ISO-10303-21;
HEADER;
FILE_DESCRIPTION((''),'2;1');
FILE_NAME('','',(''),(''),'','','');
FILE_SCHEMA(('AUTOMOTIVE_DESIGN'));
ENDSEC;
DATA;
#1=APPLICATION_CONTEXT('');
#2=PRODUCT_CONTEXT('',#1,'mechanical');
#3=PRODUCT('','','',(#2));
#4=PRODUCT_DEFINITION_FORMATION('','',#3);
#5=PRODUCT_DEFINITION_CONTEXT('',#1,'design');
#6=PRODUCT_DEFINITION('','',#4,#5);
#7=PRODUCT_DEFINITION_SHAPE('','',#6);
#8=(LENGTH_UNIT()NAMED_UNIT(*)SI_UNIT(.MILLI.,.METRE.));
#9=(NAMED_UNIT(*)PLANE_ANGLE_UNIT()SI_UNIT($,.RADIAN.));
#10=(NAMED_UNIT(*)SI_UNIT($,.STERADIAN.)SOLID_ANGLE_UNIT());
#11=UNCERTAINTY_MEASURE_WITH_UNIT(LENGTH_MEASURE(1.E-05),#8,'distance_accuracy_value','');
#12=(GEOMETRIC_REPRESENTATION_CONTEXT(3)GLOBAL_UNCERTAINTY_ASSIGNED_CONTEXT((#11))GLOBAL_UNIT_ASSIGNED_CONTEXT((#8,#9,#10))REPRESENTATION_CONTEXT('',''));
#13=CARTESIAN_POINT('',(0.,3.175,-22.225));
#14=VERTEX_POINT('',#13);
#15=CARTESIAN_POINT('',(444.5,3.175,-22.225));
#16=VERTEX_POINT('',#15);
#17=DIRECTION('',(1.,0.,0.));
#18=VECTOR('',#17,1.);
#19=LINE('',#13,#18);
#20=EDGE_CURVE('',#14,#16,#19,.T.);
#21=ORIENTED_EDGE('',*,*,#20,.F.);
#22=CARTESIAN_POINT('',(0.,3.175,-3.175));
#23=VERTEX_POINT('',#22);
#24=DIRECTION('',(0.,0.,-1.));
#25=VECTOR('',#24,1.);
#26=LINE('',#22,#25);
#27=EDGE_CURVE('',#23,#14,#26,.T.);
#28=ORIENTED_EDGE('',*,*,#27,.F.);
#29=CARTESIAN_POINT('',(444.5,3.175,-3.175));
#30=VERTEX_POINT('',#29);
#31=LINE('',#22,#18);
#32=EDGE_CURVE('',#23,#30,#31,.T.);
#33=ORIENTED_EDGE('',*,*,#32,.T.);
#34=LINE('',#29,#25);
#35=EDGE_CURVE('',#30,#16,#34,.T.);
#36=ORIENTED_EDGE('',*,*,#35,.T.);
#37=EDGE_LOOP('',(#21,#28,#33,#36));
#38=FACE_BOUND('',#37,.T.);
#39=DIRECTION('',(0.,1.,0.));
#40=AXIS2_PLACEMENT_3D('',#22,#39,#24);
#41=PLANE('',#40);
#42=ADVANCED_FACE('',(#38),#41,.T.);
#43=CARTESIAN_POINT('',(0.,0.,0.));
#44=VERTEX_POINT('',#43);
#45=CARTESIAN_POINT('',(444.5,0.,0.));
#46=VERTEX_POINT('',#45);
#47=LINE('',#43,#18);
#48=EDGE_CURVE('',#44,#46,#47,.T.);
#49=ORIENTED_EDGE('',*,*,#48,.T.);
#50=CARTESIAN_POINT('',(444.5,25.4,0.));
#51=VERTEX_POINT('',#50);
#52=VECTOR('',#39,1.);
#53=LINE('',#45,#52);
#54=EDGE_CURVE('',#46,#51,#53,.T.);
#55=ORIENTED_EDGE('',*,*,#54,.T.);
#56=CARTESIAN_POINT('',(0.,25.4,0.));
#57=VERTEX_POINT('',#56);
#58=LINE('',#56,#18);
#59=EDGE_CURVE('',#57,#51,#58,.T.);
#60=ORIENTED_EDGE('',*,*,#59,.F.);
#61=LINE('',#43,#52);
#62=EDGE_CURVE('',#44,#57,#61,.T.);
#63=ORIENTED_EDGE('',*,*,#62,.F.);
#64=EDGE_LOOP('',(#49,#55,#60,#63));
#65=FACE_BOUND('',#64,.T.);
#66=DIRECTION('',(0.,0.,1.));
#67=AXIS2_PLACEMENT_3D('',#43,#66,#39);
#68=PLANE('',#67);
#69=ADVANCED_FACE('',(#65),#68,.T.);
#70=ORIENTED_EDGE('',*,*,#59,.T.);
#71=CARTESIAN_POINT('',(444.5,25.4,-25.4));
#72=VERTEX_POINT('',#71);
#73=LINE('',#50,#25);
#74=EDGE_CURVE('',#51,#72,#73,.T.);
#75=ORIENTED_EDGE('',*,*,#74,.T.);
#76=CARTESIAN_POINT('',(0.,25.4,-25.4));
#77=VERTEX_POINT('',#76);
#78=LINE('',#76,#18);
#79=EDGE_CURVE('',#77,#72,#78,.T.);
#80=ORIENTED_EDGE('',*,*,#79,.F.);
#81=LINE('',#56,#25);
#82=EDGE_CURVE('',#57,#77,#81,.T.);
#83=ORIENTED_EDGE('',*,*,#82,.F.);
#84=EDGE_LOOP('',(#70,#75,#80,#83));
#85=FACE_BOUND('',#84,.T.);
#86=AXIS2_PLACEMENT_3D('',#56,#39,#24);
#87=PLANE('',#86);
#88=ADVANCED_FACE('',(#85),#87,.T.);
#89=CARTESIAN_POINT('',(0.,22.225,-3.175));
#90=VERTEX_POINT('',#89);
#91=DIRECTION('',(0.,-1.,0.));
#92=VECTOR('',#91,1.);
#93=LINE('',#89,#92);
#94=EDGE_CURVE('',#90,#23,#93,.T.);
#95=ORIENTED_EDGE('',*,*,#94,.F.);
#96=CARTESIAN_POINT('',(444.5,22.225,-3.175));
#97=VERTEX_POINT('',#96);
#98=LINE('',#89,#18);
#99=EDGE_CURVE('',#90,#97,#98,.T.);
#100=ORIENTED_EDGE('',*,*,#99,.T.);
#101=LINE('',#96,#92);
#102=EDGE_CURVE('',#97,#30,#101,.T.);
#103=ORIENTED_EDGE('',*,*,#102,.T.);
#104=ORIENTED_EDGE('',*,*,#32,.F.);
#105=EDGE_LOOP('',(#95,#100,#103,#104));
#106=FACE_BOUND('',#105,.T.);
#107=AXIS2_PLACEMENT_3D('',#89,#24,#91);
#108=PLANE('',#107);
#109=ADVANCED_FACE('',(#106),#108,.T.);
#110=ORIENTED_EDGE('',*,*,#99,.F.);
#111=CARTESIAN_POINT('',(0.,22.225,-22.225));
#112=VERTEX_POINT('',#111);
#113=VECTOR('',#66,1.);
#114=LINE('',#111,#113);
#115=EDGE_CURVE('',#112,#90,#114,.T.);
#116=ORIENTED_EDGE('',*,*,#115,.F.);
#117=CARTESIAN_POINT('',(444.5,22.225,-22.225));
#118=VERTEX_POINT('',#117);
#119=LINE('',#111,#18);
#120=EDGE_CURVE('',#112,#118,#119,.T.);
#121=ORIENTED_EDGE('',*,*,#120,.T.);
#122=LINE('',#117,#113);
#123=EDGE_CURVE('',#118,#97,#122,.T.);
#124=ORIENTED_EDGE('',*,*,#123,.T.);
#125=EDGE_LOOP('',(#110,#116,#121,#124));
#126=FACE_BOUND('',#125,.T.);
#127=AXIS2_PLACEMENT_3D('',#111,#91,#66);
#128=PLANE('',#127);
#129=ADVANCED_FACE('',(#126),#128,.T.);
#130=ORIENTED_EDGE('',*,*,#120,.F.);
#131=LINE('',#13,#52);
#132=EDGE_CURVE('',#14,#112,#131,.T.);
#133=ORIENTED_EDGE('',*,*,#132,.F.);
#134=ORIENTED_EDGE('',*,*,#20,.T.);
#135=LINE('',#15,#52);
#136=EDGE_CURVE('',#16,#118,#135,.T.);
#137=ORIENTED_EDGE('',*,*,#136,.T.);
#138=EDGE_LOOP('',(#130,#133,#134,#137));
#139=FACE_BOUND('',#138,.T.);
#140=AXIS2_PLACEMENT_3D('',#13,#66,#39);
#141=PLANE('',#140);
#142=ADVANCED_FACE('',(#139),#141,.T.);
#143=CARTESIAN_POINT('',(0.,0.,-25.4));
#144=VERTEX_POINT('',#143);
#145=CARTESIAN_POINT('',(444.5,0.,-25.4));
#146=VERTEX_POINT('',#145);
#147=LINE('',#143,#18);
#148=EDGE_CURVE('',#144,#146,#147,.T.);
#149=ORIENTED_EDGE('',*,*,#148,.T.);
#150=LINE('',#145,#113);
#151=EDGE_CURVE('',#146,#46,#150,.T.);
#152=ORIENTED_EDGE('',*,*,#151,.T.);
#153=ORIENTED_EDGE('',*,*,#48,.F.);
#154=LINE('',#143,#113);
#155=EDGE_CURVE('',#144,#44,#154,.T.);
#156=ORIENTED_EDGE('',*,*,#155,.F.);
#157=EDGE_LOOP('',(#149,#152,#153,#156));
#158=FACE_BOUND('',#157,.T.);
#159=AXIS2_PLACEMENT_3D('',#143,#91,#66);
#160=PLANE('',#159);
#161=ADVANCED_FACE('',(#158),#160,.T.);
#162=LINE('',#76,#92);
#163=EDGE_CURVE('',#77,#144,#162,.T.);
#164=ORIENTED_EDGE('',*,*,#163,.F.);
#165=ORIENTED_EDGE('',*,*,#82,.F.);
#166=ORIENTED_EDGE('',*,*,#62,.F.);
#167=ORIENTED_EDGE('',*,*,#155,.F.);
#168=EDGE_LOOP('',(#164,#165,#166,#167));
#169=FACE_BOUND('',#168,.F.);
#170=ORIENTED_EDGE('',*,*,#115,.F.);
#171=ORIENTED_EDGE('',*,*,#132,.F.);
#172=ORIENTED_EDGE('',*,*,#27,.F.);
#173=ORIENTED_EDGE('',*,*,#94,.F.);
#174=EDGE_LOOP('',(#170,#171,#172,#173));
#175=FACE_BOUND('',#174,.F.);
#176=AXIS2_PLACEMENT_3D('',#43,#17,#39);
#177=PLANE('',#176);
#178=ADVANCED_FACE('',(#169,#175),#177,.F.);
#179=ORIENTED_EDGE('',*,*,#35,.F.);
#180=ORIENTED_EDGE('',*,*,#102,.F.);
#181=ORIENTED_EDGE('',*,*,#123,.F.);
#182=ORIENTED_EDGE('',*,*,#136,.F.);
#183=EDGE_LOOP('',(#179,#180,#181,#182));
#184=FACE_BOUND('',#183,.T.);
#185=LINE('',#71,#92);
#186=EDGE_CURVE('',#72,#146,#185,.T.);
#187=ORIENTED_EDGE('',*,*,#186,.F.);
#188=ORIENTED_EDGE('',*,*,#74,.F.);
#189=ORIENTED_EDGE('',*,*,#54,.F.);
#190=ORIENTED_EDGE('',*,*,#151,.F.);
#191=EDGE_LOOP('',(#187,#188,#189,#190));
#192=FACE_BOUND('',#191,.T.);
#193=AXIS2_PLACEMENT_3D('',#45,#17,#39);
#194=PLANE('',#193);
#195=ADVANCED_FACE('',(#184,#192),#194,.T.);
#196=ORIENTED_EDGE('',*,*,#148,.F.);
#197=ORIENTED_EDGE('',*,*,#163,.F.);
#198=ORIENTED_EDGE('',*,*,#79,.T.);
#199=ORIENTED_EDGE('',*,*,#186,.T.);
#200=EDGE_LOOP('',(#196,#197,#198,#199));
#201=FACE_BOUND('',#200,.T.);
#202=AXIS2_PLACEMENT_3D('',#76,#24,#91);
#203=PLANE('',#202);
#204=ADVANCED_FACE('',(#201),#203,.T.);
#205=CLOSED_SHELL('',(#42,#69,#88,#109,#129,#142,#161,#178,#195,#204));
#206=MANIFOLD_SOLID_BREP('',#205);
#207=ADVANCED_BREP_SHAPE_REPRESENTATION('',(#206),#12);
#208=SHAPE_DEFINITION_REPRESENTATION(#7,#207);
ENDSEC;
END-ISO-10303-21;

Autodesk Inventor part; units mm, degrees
ref_plane "YZ Plane" through (0, 0, 0) normal (1, 0, 0) x (0, 1, 0)
ref_plane "XZ Plane" through (0, 0, 0) normal (0, 1, 0) x (-1, 0, 0)
ref_plane "XY Plane" through (0, 0, 0) normal (0, 0, 1) x (1, 0, 0)
sketch "Sketch1" plane through (0, 0, 0) normal (1, 0, 0) x (0, 1, 0)
  line L0 (0, 0) -> (25.4, 0)
  line L1 (25.4, 0) -> (25.4, -25.4)
  line L2 (25.4, -25.4) -> (0, -25.4)
  line L3 (0, -25.4) -> (0, 0)
  line L4 (22.225, -22.225) -> (22.225, -3.175)
  line L5 (22.225, -3.175) -> (3.175, -3.175)
  line L6 (3.175, -3.175) -> (3.175, -22.225)
  line L7 (3.175, -22.225) -> (22.225, -22.225)
  dimension "d0" = 25.4
  dimension "d1" = 25.4
  dimension "d2" = 3.175
extrude "Extrusion1" add sketch "Sketch1" along normal blind 444.5
properties part number "17.5inch lift bar" material "Aluminum 6061"
